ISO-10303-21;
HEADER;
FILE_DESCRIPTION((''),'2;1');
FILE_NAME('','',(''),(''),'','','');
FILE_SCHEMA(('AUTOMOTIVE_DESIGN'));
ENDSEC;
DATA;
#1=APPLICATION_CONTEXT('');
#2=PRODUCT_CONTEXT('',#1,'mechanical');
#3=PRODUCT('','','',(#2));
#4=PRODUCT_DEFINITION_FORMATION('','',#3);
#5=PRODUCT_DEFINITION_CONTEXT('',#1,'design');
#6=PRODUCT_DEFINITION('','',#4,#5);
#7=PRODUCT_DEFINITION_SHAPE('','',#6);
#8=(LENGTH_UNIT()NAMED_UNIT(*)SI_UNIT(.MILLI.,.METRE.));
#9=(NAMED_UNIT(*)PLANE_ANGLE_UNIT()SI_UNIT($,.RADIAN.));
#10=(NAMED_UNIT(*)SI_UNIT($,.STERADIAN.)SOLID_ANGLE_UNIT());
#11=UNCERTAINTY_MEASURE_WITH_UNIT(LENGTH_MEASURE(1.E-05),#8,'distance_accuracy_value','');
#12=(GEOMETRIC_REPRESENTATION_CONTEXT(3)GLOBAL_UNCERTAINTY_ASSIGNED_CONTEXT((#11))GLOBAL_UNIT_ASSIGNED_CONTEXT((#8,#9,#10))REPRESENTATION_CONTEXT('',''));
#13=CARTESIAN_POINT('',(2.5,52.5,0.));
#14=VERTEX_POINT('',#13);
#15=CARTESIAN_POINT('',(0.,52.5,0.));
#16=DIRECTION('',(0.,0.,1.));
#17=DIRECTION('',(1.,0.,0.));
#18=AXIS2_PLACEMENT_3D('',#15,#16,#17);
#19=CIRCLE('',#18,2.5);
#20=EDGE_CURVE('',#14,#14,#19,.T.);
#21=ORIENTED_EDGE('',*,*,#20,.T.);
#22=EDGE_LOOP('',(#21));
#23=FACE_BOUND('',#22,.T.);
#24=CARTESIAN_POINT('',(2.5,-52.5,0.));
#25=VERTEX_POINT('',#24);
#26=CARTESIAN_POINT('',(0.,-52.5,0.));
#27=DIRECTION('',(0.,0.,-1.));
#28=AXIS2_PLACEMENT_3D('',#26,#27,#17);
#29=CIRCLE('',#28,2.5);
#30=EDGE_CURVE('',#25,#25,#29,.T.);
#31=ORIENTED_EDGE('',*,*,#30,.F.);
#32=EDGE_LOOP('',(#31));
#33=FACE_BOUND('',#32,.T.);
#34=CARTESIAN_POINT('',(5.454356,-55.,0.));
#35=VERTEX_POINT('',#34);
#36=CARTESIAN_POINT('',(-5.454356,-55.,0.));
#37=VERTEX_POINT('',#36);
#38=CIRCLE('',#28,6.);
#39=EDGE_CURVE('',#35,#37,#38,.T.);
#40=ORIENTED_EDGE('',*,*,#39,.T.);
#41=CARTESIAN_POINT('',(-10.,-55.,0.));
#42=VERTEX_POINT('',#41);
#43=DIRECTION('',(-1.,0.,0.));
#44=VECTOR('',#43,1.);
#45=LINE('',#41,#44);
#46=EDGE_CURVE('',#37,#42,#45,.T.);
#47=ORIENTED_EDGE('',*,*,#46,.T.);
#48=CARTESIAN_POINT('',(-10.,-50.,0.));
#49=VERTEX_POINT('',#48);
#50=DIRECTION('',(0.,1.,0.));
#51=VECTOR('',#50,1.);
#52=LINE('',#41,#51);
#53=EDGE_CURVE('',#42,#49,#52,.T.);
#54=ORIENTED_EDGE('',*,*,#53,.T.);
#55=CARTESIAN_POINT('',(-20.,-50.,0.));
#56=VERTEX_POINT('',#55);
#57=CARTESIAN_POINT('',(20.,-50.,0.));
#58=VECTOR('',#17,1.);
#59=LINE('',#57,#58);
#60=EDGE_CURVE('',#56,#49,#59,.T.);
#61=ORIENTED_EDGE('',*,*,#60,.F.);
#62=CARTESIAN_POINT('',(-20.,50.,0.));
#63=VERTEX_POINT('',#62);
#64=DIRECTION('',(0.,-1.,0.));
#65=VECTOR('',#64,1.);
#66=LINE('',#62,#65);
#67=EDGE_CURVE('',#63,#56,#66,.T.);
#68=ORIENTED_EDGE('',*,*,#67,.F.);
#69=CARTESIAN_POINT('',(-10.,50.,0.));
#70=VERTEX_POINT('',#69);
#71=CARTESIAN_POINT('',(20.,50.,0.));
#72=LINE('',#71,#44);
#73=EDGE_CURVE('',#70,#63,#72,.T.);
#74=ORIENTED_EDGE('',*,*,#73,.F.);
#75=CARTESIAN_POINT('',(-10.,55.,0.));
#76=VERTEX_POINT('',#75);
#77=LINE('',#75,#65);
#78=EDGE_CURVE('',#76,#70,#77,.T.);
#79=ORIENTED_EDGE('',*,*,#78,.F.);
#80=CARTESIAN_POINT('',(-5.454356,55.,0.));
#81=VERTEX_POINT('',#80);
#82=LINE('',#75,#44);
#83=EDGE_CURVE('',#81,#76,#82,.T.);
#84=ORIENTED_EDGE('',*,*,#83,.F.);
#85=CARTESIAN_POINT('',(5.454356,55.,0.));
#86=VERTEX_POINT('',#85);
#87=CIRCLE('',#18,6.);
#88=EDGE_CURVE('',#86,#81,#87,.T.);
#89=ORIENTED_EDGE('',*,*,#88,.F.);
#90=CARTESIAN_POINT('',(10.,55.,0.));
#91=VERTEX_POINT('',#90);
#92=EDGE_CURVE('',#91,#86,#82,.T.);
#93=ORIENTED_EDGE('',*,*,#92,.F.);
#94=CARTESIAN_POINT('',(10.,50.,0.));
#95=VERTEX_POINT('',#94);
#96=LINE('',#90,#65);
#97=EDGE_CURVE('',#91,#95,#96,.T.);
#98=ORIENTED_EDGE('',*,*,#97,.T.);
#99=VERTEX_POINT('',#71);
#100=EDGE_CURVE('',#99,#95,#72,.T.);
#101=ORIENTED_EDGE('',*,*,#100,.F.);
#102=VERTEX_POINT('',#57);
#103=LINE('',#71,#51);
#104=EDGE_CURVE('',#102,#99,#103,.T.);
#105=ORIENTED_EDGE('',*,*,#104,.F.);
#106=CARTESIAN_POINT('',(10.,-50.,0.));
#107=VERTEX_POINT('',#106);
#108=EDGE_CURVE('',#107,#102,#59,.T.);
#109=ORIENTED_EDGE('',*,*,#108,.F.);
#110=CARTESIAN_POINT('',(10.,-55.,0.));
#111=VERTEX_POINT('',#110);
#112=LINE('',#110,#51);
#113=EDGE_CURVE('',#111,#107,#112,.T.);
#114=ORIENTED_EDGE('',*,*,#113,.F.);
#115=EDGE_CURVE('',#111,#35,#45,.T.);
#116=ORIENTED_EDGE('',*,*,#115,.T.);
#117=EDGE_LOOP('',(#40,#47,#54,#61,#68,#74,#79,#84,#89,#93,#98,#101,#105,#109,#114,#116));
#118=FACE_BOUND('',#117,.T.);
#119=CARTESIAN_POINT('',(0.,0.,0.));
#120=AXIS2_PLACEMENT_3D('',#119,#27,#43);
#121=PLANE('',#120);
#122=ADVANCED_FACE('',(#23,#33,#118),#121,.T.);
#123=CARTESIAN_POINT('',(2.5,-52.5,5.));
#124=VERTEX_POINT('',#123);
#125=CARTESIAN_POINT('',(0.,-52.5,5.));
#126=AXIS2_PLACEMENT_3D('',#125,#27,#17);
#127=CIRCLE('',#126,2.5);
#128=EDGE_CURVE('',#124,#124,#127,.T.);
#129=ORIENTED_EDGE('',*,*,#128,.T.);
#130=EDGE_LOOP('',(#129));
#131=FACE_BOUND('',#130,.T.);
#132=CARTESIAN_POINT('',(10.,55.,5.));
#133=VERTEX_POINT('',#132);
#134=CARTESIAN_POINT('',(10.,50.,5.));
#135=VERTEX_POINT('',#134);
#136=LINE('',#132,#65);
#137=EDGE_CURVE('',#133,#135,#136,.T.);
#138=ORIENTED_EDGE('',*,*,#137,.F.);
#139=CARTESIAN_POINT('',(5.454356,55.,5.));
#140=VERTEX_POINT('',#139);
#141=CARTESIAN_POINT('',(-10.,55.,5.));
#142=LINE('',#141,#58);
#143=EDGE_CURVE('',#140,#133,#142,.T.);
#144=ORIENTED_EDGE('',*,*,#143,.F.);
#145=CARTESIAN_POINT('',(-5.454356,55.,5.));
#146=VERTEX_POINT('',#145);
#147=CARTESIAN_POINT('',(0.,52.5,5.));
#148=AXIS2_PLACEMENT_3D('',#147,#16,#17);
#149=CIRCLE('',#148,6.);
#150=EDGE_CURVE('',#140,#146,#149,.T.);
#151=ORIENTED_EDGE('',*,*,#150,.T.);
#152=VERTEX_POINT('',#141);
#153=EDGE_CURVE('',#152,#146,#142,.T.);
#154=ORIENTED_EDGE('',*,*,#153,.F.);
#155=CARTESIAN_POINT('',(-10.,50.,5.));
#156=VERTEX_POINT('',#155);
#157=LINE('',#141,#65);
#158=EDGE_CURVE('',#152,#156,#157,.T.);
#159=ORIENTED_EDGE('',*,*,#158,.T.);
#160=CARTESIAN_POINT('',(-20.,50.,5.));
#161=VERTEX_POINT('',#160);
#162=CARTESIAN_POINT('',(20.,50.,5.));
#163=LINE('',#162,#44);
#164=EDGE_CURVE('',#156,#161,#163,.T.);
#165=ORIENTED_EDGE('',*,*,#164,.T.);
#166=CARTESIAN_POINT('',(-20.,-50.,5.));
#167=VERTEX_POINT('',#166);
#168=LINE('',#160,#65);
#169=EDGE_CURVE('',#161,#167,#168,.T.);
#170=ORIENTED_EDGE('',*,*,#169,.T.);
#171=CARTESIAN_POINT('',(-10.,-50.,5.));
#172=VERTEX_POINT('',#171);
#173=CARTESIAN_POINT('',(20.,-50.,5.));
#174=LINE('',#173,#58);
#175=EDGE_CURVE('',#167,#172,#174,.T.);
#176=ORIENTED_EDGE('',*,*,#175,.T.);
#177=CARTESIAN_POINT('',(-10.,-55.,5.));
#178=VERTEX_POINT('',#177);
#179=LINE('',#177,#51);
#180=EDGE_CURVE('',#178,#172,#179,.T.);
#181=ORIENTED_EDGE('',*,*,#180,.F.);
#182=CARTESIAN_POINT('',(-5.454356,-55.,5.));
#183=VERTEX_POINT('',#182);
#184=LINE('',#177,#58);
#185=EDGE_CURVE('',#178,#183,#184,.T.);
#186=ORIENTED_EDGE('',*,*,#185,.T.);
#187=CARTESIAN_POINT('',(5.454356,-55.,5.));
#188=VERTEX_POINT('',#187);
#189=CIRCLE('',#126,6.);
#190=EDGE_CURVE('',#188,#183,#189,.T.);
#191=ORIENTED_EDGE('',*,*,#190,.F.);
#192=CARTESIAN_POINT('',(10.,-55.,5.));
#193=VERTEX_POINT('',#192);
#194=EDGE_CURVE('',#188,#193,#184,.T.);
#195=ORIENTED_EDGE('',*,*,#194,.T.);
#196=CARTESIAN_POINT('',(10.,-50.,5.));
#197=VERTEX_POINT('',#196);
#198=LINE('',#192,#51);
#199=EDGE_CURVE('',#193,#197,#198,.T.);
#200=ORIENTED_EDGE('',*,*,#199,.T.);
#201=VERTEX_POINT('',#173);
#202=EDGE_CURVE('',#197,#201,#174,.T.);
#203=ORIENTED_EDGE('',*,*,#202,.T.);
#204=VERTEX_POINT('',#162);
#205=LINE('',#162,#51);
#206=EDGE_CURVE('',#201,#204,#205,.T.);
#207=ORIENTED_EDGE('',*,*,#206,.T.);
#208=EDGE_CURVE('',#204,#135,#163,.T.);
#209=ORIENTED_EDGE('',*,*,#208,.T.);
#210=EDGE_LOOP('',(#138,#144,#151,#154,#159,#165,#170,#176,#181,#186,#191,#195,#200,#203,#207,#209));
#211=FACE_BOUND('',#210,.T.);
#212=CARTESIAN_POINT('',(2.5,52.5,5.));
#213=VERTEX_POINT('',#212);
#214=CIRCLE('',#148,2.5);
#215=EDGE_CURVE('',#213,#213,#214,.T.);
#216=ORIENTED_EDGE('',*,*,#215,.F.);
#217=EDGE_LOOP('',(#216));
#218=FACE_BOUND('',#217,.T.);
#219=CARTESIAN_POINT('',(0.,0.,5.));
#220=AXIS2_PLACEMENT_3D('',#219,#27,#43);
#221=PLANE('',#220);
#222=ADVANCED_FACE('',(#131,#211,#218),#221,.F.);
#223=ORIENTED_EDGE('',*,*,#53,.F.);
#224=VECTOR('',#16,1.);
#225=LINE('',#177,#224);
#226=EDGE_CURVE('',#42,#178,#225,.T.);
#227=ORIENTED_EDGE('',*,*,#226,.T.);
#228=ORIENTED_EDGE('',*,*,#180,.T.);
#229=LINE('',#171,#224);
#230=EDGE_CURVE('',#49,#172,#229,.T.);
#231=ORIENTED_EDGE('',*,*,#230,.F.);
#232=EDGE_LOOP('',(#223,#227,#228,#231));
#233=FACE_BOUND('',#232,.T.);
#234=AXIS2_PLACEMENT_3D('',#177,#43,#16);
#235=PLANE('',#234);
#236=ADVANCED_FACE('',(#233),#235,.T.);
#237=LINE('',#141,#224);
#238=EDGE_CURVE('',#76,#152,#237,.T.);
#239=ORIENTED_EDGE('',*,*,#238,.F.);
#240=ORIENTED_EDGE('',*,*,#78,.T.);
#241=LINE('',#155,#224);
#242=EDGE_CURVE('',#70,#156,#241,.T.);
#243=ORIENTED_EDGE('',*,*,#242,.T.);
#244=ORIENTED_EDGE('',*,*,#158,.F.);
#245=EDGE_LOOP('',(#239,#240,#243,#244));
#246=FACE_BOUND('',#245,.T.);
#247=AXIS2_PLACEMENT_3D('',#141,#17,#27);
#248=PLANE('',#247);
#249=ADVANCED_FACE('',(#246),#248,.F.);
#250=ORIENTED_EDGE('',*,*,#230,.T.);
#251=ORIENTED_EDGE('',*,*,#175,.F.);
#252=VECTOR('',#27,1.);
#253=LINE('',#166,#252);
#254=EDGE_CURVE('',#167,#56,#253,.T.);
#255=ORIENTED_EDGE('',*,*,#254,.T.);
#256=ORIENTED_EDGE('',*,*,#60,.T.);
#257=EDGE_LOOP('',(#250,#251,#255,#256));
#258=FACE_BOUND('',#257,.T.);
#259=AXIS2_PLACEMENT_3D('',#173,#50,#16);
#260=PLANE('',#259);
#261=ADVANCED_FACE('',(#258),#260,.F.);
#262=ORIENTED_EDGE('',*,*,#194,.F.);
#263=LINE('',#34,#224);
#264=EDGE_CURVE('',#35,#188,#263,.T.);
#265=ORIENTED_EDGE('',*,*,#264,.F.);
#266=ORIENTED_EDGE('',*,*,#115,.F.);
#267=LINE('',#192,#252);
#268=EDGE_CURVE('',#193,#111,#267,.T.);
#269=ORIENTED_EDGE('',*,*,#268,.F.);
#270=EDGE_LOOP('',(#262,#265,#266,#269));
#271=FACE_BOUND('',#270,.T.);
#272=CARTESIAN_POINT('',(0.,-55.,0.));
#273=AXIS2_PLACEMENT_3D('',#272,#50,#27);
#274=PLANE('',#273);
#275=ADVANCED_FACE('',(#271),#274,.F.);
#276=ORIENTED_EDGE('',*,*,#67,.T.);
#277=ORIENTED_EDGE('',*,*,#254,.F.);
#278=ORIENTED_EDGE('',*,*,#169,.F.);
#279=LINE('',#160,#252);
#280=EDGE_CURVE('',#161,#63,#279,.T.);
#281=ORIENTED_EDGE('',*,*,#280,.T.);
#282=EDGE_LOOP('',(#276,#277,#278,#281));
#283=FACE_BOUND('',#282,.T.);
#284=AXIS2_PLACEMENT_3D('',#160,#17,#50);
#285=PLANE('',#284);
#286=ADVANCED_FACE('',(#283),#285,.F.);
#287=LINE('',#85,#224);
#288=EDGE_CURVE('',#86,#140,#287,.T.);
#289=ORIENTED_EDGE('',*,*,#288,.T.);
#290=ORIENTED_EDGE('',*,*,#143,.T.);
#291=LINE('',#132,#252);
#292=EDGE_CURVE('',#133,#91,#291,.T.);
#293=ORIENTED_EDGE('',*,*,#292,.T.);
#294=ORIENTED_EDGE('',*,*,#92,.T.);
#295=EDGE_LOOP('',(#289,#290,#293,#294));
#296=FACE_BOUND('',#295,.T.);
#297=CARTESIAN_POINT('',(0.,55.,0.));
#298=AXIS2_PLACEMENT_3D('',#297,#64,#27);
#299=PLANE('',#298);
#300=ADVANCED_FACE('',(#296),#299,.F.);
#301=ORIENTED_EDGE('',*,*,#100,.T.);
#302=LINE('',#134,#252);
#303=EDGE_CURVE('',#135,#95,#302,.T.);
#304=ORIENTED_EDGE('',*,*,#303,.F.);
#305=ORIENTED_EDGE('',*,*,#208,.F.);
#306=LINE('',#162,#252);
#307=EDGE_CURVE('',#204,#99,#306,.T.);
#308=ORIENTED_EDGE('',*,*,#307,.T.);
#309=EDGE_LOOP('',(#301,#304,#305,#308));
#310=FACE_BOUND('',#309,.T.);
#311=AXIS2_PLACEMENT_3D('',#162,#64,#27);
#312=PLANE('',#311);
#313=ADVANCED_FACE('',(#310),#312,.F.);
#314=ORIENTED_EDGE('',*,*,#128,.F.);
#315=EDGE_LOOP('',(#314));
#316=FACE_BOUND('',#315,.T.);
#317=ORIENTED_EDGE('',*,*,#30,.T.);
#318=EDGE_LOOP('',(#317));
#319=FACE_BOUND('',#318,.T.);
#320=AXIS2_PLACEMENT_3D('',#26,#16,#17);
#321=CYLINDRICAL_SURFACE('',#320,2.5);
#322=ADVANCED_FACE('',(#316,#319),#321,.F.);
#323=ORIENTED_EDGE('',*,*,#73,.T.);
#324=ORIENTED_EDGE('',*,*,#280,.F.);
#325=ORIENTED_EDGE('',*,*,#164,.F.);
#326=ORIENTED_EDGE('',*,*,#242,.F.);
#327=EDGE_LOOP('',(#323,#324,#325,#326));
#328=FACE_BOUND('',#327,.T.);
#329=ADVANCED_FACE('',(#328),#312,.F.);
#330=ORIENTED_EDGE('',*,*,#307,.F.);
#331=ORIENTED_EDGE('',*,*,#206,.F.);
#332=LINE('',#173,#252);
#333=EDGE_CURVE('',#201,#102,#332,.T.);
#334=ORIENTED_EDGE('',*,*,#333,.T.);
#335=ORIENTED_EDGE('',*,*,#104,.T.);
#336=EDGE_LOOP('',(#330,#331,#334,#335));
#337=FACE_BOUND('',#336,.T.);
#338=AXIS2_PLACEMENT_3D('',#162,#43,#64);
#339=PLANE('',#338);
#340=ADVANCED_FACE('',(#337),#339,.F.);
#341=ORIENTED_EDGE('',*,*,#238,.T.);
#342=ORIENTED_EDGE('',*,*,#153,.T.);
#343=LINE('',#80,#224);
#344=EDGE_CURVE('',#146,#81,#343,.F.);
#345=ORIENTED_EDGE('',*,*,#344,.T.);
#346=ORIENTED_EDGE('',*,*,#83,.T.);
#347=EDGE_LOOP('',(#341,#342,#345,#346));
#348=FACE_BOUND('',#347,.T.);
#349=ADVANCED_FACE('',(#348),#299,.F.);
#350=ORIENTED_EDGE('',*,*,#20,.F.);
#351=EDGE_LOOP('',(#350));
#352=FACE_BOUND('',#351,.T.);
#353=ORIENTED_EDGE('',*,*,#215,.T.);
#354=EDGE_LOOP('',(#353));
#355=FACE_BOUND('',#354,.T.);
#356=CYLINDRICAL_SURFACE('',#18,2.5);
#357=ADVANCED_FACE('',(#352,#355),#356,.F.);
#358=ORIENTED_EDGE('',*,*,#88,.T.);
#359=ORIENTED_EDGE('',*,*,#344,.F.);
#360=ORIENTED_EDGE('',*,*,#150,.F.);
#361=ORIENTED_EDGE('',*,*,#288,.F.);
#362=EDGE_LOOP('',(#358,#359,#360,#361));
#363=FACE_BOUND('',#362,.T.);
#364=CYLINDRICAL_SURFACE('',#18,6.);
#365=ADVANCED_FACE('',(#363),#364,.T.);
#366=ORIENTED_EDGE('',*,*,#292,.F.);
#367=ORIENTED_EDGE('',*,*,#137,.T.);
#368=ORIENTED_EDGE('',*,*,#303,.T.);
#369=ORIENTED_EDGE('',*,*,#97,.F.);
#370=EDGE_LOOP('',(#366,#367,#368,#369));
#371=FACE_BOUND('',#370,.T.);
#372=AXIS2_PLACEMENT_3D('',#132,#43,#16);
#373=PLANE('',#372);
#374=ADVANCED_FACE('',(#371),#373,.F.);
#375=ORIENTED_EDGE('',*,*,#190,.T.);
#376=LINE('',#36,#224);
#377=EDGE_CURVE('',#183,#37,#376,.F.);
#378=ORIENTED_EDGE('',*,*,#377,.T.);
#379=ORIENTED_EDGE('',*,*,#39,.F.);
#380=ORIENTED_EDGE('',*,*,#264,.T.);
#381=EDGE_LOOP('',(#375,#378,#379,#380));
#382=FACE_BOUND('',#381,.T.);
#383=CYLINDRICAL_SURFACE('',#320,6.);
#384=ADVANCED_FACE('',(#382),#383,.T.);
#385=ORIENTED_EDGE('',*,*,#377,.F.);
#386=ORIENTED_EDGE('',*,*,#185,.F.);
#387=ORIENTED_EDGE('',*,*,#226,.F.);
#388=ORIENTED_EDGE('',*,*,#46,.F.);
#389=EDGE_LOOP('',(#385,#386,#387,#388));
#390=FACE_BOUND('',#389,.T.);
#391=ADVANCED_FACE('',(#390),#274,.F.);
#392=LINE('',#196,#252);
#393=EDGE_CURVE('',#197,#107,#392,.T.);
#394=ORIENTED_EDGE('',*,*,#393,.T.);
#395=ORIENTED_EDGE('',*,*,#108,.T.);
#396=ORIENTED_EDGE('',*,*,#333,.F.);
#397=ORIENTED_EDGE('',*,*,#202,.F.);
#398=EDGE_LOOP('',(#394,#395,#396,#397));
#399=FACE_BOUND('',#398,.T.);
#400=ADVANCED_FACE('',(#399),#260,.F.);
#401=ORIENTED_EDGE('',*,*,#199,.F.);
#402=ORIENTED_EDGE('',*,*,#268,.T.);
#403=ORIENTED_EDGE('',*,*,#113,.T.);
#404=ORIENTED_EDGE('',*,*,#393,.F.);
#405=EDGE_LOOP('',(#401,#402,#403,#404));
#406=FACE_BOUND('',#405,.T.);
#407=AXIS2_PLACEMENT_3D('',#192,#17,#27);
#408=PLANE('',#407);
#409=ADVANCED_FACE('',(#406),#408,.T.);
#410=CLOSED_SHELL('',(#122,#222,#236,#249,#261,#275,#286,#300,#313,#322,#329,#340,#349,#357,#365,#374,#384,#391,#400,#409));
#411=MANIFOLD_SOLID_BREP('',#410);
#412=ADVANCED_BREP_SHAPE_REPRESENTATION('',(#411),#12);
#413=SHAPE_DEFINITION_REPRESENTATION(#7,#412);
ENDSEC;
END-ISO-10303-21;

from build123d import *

# Parameters (mm, degrees)
SKETCH1_W           = 40
SKETCH1_H           = 100
BOSS_EXTRUDE1_DEPTH = 5
SKETCH2_W           = 20
SKETCH2_H           = 5
BOSS_EXTRUDE2_DEPTH = 5
SKETCH3_R           = 6
BOSS_EXTRUDE3_DEPTH = 5
SKETCH4_R           = 2.5
CUT_EXTRUDE1_DEPTH  = 5


with BuildPart() as part:
    # Sketch1 → Boss-Extrude1 (new body)
    with BuildSketch(Plane.XY):
        Rectangle(SKETCH1_W, SKETCH1_H)
    extrude(amount=BOSS_EXTRUDE1_DEPTH)

    # Sketch2 → Boss-Extrude2 (add)
    with BuildSketch(Plane(origin=(0, 50, 0), x_dir=(1, 0, 0), z_dir=(0, 1, 0))):
        with Locations((0, -2.5)):
            Rectangle(SKETCH2_W, SKETCH2_H)
    boss_extrude2 = extrude(amount=BOSS_EXTRUDE2_DEPTH)

    # Mirror1: Boss-Extrude2 across plane
    add(boss_extrude2.mirror(Plane.ZX))

    # Sketch3 → Boss-Extrude3 (add)
    with BuildSketch(Plane.XY.offset(5)):
        with Locations((0, 52.5)):
            Circle(SKETCH3_R)
    boss_extrude3 = extrude(amount=-BOSS_EXTRUDE3_DEPTH)

    # Sketch4 → Cut-Extrude1 (cut)
    with BuildSketch(Plane.XY.offset(5)):
        with Locations((0, 52.5)):
            Circle(SKETCH4_R)
    cut_extrude1 = extrude(amount=-CUT_EXTRUDE1_DEPTH, mode=Mode.SUBTRACT)

    # Mirror2: Boss-Extrude3, Cut-Extrude1 across plane
    add(boss_extrude3.mirror(Plane.ZX))
    add(cut_extrude1.mirror(Plane.ZX), mode=Mode.SUBTRACT)


solid = part.part
